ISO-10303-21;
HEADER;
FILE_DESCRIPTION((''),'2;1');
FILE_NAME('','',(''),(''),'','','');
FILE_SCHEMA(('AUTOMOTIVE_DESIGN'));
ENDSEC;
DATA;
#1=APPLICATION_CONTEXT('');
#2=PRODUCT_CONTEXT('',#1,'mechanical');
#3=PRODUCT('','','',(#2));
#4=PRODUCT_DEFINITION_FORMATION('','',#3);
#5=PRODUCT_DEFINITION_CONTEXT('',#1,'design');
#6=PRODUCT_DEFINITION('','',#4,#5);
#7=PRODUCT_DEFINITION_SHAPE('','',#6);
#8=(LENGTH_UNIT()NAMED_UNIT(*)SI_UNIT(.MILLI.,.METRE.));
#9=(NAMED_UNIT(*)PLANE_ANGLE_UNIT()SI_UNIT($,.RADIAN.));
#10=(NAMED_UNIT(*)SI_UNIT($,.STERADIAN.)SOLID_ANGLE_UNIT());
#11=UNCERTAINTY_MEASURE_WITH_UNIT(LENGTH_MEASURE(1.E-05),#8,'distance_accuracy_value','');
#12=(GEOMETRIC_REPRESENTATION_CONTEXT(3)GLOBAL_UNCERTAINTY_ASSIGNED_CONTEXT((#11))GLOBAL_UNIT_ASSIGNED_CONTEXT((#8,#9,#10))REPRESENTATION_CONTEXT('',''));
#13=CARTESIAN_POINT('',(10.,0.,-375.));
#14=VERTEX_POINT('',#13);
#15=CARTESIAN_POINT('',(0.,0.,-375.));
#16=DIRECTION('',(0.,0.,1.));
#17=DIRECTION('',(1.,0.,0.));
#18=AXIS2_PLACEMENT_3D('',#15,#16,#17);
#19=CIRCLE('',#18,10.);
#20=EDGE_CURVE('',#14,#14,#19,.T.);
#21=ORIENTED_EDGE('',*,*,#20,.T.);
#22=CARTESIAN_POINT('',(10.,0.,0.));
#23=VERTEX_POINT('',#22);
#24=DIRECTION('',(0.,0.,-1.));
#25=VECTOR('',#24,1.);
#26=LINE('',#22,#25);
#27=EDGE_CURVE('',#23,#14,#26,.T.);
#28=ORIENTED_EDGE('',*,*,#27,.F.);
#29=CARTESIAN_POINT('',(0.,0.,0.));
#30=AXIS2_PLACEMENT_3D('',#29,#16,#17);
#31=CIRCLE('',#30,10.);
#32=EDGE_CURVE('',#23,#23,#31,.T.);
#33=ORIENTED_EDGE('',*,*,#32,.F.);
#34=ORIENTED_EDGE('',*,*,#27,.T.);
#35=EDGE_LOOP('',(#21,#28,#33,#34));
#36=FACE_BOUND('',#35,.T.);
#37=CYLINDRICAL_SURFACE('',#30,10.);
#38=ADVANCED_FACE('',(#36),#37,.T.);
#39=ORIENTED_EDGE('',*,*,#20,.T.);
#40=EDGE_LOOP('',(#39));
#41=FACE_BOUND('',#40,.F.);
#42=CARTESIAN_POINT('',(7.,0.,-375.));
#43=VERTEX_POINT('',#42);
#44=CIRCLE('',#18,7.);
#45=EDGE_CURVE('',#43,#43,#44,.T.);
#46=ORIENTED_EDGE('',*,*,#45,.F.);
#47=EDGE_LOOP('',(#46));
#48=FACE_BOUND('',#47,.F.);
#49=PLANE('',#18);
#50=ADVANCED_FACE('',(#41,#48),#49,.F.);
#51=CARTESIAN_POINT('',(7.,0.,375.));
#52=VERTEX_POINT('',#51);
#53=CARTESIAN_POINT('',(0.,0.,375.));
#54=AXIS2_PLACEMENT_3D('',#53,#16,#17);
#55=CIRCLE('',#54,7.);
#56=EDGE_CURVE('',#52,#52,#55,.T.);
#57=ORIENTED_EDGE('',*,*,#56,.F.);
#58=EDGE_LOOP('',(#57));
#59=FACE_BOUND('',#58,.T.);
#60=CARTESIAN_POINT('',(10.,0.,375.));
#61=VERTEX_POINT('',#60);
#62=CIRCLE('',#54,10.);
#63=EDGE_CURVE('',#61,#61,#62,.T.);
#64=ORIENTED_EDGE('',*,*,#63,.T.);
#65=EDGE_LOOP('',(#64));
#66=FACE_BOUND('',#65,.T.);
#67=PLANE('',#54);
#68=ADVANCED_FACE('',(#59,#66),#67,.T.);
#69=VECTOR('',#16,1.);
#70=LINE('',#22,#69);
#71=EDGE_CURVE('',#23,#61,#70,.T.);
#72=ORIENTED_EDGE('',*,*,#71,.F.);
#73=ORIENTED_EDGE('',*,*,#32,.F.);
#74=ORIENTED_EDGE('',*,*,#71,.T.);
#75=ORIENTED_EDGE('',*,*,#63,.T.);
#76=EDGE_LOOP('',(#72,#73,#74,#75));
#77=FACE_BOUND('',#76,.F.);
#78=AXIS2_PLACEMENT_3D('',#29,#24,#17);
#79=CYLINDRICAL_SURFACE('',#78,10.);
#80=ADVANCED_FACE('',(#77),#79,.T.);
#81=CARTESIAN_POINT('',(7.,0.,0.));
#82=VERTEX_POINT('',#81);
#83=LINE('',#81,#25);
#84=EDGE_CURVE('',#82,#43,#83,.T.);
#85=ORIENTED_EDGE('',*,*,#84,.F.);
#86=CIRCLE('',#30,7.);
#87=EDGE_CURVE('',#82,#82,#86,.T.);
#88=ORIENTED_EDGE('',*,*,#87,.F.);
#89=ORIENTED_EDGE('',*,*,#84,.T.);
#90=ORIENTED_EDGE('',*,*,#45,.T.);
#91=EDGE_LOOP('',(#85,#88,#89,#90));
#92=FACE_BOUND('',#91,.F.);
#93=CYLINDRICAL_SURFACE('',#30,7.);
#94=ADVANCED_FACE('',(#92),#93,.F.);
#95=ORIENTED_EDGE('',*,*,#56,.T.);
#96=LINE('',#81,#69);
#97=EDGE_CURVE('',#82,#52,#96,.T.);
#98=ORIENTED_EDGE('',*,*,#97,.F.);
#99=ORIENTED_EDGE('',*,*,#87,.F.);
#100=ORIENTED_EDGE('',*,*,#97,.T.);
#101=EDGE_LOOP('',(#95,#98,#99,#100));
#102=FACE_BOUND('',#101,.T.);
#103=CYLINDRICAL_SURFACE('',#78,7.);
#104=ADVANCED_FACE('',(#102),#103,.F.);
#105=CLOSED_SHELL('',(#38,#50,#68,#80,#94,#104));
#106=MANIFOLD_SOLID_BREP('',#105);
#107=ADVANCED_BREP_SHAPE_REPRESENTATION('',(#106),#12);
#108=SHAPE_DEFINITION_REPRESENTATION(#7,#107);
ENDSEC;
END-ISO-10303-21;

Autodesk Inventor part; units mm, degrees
sketch "Esboço2" plane through (0, 0, 0) normal (0, 0, 1) x (1, 0, 0)
  circle A0 centre (0, 0) radius 10
  circle A1 centre (0, 0) radius 7
  dimension "d2" = 20
  dimension "d3" = 3
extrude "Extrusão1" add sketch "Esboço2" along normal mid plane 750
properties part number "Peça8_perna" material "Aço"
